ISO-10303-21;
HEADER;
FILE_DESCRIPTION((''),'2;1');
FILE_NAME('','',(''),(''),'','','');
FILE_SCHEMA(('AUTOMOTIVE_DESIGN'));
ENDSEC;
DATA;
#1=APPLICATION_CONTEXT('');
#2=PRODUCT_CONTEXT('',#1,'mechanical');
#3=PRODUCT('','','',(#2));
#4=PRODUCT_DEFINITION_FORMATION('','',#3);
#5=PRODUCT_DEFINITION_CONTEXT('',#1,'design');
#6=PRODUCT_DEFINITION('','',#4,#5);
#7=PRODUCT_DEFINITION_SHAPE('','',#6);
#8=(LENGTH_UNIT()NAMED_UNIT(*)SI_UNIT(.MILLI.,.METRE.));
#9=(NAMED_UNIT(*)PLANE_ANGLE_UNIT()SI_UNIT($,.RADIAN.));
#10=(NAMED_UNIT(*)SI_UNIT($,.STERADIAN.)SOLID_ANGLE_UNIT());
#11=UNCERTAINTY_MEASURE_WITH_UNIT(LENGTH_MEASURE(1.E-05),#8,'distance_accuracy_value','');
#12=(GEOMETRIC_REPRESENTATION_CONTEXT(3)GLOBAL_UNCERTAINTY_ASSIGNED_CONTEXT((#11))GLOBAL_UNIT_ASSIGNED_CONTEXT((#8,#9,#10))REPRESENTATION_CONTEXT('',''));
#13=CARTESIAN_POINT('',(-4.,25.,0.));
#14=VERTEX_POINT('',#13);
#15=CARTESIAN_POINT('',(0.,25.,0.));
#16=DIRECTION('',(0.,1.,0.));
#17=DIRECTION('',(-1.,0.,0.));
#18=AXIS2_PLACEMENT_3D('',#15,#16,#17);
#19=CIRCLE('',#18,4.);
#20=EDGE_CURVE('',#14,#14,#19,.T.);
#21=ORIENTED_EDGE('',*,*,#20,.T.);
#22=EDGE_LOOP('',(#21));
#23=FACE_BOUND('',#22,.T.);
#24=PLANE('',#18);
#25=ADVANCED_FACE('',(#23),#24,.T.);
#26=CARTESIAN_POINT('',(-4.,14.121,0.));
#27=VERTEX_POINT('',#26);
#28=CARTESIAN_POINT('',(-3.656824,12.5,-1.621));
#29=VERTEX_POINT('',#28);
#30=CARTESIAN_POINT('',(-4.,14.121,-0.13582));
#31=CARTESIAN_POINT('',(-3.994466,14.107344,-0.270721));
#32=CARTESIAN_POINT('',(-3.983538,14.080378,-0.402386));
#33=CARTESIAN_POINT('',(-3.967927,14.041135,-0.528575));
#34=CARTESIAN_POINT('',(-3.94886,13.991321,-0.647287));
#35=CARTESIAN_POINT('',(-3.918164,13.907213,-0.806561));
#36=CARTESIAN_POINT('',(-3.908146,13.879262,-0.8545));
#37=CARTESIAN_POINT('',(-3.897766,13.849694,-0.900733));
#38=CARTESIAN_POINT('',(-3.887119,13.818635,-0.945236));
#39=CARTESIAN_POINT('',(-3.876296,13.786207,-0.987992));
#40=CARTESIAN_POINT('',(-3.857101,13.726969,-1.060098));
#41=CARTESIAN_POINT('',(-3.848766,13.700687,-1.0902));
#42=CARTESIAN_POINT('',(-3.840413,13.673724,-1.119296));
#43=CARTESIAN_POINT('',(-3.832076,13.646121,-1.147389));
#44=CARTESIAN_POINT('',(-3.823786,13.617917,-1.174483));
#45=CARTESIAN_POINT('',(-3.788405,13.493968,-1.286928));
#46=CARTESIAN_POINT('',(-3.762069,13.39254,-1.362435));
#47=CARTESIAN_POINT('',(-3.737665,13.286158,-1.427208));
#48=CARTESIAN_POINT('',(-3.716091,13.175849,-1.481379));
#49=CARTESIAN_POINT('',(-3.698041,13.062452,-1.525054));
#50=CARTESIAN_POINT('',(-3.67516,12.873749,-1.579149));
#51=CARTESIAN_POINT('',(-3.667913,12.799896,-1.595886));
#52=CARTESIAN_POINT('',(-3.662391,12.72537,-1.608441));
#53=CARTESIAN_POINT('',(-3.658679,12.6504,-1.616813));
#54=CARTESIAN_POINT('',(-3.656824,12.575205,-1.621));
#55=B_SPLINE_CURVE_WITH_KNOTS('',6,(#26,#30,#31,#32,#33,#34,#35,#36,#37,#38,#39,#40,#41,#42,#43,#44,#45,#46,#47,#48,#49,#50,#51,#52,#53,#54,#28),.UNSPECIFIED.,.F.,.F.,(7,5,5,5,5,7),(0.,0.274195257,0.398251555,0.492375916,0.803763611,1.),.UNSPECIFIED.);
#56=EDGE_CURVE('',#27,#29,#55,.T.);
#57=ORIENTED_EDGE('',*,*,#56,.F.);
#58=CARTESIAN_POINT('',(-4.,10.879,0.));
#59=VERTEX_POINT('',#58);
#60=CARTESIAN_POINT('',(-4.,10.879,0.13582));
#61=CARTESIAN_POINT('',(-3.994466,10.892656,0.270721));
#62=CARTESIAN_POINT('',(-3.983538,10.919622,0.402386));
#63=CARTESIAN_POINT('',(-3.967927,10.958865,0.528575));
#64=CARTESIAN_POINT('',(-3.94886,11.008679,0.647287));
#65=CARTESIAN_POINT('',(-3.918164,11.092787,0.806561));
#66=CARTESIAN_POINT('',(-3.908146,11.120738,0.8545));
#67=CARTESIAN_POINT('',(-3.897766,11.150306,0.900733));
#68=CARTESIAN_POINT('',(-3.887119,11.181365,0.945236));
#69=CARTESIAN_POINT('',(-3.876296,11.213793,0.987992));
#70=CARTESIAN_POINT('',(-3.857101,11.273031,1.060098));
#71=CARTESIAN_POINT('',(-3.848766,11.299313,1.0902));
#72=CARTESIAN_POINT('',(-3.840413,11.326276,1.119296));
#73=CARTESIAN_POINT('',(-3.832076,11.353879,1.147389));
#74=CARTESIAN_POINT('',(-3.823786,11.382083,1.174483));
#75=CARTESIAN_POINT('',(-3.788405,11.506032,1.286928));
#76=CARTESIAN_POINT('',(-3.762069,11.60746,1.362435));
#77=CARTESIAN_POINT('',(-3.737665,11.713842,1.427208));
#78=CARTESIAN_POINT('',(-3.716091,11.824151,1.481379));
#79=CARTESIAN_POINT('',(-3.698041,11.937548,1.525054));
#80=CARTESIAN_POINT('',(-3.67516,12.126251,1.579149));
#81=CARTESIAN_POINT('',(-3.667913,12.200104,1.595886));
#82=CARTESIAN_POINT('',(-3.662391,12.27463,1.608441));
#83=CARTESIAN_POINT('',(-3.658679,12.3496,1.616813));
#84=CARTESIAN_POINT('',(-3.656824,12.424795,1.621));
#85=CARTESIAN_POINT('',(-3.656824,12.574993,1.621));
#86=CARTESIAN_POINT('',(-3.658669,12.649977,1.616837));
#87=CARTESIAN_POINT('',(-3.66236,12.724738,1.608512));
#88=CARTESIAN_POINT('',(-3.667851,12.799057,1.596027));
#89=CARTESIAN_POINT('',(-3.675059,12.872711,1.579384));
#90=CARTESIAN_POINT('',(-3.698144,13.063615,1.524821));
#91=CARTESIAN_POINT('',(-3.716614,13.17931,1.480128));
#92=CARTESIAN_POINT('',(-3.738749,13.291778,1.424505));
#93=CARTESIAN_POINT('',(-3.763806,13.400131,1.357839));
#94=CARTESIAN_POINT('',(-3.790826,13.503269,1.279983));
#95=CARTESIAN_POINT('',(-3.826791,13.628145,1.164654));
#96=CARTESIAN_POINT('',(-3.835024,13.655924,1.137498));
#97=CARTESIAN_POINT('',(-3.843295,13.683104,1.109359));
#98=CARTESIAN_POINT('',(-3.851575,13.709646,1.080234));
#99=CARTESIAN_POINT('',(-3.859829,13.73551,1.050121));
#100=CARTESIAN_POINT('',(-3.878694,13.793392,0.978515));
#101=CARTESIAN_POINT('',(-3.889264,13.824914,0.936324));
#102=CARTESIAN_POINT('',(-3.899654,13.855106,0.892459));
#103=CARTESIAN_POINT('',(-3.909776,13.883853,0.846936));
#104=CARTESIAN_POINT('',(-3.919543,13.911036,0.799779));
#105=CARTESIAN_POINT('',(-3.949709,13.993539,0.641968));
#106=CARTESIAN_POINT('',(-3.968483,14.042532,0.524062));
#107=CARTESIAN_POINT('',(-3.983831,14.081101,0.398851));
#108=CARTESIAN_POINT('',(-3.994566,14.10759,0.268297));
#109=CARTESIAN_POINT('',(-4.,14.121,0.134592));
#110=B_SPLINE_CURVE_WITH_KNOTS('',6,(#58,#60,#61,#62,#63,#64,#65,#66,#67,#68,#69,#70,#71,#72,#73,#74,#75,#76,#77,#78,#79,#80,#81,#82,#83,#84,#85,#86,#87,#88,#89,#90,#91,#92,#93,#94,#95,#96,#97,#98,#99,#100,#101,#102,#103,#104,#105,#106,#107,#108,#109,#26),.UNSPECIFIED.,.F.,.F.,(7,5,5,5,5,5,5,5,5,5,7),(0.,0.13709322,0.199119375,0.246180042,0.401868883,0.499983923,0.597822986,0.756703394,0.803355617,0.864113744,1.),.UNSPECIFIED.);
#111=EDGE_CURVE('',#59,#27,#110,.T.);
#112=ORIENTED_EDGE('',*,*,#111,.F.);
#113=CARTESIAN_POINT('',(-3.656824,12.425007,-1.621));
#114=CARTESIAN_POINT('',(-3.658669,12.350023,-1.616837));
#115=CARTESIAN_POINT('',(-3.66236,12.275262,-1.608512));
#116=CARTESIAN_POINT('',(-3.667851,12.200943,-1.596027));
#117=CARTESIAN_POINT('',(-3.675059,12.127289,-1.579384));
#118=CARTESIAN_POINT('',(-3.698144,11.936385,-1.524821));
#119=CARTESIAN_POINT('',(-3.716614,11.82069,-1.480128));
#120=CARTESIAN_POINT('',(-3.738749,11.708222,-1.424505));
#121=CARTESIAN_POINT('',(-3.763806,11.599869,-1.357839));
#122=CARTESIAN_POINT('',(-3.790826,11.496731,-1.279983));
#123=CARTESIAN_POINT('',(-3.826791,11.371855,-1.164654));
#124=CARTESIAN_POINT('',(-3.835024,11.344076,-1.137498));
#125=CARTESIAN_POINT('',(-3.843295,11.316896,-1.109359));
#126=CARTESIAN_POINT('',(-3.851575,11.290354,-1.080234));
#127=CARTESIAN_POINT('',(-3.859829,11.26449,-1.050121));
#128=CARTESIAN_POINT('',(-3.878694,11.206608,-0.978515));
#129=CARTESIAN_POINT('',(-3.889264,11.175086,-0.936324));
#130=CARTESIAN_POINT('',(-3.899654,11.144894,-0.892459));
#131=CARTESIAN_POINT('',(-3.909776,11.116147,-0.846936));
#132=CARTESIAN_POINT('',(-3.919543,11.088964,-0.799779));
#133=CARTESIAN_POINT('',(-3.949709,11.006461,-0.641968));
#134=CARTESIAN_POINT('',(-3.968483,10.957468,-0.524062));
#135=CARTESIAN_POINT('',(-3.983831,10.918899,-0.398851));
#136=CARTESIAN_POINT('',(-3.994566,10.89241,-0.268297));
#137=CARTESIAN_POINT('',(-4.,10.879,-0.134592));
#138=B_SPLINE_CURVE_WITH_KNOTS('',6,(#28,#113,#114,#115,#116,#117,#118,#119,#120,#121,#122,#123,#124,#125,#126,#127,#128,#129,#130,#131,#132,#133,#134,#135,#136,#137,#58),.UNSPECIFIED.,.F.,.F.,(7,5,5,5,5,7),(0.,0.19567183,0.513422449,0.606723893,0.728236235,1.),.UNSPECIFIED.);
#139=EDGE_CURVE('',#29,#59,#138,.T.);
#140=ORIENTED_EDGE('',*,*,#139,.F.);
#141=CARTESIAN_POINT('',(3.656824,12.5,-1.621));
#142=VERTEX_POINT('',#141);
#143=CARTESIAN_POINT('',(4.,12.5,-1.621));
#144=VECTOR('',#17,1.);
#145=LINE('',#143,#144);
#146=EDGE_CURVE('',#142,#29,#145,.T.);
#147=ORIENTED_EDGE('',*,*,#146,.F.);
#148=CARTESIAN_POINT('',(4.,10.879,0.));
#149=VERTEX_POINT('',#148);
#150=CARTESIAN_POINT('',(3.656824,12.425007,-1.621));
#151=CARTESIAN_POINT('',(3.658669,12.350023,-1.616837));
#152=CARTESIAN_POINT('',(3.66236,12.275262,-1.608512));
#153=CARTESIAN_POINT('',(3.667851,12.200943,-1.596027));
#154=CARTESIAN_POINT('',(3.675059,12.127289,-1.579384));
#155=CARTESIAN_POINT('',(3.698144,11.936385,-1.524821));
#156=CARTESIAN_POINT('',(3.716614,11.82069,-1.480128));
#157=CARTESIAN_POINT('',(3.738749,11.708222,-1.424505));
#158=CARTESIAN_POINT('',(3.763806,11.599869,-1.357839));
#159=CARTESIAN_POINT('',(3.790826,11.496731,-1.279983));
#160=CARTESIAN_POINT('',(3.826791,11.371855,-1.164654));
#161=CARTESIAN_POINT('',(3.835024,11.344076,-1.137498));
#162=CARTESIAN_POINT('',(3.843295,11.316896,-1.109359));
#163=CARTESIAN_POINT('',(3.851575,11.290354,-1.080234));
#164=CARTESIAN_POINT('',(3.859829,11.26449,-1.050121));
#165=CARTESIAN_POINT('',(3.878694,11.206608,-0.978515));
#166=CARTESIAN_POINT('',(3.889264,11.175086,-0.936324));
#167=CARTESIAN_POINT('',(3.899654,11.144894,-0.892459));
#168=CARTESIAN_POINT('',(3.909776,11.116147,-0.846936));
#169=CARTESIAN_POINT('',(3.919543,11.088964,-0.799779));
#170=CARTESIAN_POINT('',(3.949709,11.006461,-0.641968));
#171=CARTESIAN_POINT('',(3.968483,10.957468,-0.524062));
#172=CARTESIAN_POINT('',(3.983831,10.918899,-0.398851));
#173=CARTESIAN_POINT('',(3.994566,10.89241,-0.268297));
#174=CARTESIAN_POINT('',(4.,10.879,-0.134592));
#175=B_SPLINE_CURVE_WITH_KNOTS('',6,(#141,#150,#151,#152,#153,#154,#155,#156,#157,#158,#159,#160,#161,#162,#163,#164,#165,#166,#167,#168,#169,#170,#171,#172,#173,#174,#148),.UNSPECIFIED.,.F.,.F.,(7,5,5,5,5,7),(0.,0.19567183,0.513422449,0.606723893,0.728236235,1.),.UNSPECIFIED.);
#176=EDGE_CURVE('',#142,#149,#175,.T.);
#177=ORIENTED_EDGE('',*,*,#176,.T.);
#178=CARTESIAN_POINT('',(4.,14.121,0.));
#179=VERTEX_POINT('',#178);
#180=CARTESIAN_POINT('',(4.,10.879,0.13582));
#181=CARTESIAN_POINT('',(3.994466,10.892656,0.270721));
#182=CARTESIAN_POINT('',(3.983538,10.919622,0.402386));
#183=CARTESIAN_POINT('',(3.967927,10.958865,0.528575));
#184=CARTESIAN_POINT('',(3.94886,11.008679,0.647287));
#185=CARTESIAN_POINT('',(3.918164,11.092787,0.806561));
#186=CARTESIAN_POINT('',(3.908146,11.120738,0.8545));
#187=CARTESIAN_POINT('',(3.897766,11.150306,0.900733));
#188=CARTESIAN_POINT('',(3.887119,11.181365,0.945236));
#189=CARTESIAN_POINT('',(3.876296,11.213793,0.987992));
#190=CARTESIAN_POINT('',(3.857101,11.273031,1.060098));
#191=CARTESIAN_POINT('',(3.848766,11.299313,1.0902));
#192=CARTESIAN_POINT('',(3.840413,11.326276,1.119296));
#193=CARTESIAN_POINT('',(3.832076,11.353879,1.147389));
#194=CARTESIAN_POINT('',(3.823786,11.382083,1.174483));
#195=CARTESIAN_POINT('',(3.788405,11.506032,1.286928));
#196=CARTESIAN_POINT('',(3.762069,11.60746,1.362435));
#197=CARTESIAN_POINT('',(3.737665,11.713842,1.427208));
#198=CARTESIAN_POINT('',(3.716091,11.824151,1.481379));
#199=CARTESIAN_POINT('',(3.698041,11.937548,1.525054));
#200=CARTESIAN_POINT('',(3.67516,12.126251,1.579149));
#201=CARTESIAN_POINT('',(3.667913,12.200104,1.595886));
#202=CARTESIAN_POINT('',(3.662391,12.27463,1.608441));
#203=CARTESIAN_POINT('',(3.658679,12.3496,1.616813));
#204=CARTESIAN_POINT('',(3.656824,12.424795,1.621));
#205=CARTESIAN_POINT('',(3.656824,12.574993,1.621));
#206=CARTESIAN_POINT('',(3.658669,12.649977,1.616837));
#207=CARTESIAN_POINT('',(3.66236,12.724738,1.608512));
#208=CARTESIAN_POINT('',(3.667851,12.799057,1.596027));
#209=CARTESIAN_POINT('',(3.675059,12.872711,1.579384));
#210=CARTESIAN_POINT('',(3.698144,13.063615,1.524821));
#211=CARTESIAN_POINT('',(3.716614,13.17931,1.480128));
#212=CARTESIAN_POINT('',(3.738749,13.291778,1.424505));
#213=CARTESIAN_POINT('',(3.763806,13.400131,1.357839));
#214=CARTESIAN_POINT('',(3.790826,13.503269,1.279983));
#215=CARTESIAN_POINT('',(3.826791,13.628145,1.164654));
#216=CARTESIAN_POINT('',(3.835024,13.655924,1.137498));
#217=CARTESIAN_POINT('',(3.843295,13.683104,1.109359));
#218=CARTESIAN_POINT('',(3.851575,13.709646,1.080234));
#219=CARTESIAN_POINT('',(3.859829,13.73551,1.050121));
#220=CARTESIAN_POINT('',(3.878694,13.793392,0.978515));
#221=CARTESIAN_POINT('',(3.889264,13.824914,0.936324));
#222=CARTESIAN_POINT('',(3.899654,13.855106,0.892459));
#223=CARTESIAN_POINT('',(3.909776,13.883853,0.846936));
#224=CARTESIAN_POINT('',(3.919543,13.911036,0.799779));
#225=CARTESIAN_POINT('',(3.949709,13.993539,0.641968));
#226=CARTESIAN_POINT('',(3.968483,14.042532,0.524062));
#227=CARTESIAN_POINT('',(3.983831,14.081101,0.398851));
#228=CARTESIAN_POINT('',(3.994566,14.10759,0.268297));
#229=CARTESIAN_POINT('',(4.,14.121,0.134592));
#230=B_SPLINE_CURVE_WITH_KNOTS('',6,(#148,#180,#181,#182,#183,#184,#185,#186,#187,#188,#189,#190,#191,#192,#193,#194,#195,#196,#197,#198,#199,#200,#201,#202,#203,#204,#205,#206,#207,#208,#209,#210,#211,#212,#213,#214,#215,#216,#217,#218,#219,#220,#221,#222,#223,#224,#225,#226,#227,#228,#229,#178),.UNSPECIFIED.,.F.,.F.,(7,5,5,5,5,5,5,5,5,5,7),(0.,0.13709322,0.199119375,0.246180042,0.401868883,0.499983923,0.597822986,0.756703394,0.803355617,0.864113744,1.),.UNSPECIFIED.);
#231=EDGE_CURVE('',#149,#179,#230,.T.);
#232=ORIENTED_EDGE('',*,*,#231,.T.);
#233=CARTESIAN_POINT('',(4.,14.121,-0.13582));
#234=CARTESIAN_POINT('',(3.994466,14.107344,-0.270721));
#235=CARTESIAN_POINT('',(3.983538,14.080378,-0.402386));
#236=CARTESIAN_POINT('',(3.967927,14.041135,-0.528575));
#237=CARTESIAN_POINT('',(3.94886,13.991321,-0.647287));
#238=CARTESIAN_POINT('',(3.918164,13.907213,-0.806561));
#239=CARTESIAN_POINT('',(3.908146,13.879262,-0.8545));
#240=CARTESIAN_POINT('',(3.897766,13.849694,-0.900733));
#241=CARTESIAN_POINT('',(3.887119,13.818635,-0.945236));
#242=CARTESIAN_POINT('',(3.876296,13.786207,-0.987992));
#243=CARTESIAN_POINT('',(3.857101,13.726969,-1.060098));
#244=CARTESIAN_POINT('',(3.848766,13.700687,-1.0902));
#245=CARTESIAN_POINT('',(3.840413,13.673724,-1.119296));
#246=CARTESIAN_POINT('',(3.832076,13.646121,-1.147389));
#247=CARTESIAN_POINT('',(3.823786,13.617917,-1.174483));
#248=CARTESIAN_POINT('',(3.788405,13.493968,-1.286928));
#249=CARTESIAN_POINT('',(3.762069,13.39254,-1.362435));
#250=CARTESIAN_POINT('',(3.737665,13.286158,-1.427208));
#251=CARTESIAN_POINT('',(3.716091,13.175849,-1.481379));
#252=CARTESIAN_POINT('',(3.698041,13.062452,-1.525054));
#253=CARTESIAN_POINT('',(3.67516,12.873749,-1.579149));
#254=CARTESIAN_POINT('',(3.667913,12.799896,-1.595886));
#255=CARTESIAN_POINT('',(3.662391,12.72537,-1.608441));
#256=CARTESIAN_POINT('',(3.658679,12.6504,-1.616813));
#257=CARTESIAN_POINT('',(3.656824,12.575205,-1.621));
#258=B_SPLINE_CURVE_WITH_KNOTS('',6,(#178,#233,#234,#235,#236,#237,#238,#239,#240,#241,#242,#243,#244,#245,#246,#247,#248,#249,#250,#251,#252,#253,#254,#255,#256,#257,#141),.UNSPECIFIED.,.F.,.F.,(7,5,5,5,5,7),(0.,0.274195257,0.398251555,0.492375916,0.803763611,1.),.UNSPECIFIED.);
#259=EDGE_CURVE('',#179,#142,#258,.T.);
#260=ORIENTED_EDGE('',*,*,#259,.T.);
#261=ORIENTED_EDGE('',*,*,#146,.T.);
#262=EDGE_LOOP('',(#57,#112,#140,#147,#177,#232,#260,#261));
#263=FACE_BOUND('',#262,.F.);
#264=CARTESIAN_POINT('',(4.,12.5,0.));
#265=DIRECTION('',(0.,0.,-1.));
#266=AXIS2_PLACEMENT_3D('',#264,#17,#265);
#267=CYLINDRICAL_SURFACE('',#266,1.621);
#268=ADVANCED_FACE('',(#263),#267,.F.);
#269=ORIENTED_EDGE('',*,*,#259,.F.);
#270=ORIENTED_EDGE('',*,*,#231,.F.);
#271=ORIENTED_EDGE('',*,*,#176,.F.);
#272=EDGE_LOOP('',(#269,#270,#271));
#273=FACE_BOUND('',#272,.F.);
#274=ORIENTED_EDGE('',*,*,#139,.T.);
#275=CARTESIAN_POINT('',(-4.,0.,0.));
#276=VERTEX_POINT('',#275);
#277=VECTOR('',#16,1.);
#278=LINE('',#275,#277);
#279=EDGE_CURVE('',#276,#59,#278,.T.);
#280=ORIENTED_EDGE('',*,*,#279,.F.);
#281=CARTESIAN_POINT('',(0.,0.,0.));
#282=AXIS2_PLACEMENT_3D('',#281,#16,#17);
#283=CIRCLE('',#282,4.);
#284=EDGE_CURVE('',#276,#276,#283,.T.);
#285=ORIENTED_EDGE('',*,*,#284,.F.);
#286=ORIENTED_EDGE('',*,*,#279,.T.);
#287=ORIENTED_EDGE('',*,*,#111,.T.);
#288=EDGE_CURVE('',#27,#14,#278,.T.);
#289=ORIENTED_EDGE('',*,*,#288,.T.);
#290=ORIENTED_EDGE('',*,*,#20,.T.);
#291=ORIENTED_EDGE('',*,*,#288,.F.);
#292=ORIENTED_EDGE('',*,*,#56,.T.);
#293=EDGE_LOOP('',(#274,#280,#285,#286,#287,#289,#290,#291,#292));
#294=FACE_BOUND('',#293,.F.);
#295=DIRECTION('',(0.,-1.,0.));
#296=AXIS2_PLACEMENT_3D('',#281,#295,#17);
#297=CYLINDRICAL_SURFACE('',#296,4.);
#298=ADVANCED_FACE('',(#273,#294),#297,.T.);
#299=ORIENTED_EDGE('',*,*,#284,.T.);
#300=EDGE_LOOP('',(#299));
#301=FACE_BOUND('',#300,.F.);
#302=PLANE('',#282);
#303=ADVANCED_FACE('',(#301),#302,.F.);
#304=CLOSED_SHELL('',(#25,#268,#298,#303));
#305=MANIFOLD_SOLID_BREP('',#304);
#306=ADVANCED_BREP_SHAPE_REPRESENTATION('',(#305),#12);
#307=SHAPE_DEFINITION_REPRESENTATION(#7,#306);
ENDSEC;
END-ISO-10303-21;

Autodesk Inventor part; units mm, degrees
ref_plane "YZ Plane" through (0, 0, 0) normal (1, 0, 0) x (0, 1, 0)
ref_plane "XZ Plane" through (0, 0, 0) normal (0, 1, 0) x (-1, 0, 0)
sketch "スケッチ1" plane through (0, 0, 0) normal (0, 1, 0) x (-1, 0, 0)
  circle A0 centre (0, 0) radius 4
  dimension "d0" = 8
extrude "押し出し1" add sketch "スケッチ1" along normal blind 25
sketch "スケッチ2" plane through (0, 25, 0) normal (0, 1, 0) x (1, 0, 0)
  circle A0 centre (0, 0) radius 4 projected
  point P0 (4, 0)
ref_plane "作業平面1" through (4, 25, 0) normal (1, 0, 0) x (0, 1, 0)
sketch "スケッチ3" plane through (4, 25, 0) normal (1, 0, 0) x (0, 1, 0)
  point P0 (-25, 0)
  point P1 (-12.5, 0)
hole "穴1" at (4, 12.5, 0) direction (-1, 0, 0) diameter 3.242 end through all thread size "M4x0.7" class "6H" standard "ISO Metric profile"
properties part number "strain_sensor_jig"
